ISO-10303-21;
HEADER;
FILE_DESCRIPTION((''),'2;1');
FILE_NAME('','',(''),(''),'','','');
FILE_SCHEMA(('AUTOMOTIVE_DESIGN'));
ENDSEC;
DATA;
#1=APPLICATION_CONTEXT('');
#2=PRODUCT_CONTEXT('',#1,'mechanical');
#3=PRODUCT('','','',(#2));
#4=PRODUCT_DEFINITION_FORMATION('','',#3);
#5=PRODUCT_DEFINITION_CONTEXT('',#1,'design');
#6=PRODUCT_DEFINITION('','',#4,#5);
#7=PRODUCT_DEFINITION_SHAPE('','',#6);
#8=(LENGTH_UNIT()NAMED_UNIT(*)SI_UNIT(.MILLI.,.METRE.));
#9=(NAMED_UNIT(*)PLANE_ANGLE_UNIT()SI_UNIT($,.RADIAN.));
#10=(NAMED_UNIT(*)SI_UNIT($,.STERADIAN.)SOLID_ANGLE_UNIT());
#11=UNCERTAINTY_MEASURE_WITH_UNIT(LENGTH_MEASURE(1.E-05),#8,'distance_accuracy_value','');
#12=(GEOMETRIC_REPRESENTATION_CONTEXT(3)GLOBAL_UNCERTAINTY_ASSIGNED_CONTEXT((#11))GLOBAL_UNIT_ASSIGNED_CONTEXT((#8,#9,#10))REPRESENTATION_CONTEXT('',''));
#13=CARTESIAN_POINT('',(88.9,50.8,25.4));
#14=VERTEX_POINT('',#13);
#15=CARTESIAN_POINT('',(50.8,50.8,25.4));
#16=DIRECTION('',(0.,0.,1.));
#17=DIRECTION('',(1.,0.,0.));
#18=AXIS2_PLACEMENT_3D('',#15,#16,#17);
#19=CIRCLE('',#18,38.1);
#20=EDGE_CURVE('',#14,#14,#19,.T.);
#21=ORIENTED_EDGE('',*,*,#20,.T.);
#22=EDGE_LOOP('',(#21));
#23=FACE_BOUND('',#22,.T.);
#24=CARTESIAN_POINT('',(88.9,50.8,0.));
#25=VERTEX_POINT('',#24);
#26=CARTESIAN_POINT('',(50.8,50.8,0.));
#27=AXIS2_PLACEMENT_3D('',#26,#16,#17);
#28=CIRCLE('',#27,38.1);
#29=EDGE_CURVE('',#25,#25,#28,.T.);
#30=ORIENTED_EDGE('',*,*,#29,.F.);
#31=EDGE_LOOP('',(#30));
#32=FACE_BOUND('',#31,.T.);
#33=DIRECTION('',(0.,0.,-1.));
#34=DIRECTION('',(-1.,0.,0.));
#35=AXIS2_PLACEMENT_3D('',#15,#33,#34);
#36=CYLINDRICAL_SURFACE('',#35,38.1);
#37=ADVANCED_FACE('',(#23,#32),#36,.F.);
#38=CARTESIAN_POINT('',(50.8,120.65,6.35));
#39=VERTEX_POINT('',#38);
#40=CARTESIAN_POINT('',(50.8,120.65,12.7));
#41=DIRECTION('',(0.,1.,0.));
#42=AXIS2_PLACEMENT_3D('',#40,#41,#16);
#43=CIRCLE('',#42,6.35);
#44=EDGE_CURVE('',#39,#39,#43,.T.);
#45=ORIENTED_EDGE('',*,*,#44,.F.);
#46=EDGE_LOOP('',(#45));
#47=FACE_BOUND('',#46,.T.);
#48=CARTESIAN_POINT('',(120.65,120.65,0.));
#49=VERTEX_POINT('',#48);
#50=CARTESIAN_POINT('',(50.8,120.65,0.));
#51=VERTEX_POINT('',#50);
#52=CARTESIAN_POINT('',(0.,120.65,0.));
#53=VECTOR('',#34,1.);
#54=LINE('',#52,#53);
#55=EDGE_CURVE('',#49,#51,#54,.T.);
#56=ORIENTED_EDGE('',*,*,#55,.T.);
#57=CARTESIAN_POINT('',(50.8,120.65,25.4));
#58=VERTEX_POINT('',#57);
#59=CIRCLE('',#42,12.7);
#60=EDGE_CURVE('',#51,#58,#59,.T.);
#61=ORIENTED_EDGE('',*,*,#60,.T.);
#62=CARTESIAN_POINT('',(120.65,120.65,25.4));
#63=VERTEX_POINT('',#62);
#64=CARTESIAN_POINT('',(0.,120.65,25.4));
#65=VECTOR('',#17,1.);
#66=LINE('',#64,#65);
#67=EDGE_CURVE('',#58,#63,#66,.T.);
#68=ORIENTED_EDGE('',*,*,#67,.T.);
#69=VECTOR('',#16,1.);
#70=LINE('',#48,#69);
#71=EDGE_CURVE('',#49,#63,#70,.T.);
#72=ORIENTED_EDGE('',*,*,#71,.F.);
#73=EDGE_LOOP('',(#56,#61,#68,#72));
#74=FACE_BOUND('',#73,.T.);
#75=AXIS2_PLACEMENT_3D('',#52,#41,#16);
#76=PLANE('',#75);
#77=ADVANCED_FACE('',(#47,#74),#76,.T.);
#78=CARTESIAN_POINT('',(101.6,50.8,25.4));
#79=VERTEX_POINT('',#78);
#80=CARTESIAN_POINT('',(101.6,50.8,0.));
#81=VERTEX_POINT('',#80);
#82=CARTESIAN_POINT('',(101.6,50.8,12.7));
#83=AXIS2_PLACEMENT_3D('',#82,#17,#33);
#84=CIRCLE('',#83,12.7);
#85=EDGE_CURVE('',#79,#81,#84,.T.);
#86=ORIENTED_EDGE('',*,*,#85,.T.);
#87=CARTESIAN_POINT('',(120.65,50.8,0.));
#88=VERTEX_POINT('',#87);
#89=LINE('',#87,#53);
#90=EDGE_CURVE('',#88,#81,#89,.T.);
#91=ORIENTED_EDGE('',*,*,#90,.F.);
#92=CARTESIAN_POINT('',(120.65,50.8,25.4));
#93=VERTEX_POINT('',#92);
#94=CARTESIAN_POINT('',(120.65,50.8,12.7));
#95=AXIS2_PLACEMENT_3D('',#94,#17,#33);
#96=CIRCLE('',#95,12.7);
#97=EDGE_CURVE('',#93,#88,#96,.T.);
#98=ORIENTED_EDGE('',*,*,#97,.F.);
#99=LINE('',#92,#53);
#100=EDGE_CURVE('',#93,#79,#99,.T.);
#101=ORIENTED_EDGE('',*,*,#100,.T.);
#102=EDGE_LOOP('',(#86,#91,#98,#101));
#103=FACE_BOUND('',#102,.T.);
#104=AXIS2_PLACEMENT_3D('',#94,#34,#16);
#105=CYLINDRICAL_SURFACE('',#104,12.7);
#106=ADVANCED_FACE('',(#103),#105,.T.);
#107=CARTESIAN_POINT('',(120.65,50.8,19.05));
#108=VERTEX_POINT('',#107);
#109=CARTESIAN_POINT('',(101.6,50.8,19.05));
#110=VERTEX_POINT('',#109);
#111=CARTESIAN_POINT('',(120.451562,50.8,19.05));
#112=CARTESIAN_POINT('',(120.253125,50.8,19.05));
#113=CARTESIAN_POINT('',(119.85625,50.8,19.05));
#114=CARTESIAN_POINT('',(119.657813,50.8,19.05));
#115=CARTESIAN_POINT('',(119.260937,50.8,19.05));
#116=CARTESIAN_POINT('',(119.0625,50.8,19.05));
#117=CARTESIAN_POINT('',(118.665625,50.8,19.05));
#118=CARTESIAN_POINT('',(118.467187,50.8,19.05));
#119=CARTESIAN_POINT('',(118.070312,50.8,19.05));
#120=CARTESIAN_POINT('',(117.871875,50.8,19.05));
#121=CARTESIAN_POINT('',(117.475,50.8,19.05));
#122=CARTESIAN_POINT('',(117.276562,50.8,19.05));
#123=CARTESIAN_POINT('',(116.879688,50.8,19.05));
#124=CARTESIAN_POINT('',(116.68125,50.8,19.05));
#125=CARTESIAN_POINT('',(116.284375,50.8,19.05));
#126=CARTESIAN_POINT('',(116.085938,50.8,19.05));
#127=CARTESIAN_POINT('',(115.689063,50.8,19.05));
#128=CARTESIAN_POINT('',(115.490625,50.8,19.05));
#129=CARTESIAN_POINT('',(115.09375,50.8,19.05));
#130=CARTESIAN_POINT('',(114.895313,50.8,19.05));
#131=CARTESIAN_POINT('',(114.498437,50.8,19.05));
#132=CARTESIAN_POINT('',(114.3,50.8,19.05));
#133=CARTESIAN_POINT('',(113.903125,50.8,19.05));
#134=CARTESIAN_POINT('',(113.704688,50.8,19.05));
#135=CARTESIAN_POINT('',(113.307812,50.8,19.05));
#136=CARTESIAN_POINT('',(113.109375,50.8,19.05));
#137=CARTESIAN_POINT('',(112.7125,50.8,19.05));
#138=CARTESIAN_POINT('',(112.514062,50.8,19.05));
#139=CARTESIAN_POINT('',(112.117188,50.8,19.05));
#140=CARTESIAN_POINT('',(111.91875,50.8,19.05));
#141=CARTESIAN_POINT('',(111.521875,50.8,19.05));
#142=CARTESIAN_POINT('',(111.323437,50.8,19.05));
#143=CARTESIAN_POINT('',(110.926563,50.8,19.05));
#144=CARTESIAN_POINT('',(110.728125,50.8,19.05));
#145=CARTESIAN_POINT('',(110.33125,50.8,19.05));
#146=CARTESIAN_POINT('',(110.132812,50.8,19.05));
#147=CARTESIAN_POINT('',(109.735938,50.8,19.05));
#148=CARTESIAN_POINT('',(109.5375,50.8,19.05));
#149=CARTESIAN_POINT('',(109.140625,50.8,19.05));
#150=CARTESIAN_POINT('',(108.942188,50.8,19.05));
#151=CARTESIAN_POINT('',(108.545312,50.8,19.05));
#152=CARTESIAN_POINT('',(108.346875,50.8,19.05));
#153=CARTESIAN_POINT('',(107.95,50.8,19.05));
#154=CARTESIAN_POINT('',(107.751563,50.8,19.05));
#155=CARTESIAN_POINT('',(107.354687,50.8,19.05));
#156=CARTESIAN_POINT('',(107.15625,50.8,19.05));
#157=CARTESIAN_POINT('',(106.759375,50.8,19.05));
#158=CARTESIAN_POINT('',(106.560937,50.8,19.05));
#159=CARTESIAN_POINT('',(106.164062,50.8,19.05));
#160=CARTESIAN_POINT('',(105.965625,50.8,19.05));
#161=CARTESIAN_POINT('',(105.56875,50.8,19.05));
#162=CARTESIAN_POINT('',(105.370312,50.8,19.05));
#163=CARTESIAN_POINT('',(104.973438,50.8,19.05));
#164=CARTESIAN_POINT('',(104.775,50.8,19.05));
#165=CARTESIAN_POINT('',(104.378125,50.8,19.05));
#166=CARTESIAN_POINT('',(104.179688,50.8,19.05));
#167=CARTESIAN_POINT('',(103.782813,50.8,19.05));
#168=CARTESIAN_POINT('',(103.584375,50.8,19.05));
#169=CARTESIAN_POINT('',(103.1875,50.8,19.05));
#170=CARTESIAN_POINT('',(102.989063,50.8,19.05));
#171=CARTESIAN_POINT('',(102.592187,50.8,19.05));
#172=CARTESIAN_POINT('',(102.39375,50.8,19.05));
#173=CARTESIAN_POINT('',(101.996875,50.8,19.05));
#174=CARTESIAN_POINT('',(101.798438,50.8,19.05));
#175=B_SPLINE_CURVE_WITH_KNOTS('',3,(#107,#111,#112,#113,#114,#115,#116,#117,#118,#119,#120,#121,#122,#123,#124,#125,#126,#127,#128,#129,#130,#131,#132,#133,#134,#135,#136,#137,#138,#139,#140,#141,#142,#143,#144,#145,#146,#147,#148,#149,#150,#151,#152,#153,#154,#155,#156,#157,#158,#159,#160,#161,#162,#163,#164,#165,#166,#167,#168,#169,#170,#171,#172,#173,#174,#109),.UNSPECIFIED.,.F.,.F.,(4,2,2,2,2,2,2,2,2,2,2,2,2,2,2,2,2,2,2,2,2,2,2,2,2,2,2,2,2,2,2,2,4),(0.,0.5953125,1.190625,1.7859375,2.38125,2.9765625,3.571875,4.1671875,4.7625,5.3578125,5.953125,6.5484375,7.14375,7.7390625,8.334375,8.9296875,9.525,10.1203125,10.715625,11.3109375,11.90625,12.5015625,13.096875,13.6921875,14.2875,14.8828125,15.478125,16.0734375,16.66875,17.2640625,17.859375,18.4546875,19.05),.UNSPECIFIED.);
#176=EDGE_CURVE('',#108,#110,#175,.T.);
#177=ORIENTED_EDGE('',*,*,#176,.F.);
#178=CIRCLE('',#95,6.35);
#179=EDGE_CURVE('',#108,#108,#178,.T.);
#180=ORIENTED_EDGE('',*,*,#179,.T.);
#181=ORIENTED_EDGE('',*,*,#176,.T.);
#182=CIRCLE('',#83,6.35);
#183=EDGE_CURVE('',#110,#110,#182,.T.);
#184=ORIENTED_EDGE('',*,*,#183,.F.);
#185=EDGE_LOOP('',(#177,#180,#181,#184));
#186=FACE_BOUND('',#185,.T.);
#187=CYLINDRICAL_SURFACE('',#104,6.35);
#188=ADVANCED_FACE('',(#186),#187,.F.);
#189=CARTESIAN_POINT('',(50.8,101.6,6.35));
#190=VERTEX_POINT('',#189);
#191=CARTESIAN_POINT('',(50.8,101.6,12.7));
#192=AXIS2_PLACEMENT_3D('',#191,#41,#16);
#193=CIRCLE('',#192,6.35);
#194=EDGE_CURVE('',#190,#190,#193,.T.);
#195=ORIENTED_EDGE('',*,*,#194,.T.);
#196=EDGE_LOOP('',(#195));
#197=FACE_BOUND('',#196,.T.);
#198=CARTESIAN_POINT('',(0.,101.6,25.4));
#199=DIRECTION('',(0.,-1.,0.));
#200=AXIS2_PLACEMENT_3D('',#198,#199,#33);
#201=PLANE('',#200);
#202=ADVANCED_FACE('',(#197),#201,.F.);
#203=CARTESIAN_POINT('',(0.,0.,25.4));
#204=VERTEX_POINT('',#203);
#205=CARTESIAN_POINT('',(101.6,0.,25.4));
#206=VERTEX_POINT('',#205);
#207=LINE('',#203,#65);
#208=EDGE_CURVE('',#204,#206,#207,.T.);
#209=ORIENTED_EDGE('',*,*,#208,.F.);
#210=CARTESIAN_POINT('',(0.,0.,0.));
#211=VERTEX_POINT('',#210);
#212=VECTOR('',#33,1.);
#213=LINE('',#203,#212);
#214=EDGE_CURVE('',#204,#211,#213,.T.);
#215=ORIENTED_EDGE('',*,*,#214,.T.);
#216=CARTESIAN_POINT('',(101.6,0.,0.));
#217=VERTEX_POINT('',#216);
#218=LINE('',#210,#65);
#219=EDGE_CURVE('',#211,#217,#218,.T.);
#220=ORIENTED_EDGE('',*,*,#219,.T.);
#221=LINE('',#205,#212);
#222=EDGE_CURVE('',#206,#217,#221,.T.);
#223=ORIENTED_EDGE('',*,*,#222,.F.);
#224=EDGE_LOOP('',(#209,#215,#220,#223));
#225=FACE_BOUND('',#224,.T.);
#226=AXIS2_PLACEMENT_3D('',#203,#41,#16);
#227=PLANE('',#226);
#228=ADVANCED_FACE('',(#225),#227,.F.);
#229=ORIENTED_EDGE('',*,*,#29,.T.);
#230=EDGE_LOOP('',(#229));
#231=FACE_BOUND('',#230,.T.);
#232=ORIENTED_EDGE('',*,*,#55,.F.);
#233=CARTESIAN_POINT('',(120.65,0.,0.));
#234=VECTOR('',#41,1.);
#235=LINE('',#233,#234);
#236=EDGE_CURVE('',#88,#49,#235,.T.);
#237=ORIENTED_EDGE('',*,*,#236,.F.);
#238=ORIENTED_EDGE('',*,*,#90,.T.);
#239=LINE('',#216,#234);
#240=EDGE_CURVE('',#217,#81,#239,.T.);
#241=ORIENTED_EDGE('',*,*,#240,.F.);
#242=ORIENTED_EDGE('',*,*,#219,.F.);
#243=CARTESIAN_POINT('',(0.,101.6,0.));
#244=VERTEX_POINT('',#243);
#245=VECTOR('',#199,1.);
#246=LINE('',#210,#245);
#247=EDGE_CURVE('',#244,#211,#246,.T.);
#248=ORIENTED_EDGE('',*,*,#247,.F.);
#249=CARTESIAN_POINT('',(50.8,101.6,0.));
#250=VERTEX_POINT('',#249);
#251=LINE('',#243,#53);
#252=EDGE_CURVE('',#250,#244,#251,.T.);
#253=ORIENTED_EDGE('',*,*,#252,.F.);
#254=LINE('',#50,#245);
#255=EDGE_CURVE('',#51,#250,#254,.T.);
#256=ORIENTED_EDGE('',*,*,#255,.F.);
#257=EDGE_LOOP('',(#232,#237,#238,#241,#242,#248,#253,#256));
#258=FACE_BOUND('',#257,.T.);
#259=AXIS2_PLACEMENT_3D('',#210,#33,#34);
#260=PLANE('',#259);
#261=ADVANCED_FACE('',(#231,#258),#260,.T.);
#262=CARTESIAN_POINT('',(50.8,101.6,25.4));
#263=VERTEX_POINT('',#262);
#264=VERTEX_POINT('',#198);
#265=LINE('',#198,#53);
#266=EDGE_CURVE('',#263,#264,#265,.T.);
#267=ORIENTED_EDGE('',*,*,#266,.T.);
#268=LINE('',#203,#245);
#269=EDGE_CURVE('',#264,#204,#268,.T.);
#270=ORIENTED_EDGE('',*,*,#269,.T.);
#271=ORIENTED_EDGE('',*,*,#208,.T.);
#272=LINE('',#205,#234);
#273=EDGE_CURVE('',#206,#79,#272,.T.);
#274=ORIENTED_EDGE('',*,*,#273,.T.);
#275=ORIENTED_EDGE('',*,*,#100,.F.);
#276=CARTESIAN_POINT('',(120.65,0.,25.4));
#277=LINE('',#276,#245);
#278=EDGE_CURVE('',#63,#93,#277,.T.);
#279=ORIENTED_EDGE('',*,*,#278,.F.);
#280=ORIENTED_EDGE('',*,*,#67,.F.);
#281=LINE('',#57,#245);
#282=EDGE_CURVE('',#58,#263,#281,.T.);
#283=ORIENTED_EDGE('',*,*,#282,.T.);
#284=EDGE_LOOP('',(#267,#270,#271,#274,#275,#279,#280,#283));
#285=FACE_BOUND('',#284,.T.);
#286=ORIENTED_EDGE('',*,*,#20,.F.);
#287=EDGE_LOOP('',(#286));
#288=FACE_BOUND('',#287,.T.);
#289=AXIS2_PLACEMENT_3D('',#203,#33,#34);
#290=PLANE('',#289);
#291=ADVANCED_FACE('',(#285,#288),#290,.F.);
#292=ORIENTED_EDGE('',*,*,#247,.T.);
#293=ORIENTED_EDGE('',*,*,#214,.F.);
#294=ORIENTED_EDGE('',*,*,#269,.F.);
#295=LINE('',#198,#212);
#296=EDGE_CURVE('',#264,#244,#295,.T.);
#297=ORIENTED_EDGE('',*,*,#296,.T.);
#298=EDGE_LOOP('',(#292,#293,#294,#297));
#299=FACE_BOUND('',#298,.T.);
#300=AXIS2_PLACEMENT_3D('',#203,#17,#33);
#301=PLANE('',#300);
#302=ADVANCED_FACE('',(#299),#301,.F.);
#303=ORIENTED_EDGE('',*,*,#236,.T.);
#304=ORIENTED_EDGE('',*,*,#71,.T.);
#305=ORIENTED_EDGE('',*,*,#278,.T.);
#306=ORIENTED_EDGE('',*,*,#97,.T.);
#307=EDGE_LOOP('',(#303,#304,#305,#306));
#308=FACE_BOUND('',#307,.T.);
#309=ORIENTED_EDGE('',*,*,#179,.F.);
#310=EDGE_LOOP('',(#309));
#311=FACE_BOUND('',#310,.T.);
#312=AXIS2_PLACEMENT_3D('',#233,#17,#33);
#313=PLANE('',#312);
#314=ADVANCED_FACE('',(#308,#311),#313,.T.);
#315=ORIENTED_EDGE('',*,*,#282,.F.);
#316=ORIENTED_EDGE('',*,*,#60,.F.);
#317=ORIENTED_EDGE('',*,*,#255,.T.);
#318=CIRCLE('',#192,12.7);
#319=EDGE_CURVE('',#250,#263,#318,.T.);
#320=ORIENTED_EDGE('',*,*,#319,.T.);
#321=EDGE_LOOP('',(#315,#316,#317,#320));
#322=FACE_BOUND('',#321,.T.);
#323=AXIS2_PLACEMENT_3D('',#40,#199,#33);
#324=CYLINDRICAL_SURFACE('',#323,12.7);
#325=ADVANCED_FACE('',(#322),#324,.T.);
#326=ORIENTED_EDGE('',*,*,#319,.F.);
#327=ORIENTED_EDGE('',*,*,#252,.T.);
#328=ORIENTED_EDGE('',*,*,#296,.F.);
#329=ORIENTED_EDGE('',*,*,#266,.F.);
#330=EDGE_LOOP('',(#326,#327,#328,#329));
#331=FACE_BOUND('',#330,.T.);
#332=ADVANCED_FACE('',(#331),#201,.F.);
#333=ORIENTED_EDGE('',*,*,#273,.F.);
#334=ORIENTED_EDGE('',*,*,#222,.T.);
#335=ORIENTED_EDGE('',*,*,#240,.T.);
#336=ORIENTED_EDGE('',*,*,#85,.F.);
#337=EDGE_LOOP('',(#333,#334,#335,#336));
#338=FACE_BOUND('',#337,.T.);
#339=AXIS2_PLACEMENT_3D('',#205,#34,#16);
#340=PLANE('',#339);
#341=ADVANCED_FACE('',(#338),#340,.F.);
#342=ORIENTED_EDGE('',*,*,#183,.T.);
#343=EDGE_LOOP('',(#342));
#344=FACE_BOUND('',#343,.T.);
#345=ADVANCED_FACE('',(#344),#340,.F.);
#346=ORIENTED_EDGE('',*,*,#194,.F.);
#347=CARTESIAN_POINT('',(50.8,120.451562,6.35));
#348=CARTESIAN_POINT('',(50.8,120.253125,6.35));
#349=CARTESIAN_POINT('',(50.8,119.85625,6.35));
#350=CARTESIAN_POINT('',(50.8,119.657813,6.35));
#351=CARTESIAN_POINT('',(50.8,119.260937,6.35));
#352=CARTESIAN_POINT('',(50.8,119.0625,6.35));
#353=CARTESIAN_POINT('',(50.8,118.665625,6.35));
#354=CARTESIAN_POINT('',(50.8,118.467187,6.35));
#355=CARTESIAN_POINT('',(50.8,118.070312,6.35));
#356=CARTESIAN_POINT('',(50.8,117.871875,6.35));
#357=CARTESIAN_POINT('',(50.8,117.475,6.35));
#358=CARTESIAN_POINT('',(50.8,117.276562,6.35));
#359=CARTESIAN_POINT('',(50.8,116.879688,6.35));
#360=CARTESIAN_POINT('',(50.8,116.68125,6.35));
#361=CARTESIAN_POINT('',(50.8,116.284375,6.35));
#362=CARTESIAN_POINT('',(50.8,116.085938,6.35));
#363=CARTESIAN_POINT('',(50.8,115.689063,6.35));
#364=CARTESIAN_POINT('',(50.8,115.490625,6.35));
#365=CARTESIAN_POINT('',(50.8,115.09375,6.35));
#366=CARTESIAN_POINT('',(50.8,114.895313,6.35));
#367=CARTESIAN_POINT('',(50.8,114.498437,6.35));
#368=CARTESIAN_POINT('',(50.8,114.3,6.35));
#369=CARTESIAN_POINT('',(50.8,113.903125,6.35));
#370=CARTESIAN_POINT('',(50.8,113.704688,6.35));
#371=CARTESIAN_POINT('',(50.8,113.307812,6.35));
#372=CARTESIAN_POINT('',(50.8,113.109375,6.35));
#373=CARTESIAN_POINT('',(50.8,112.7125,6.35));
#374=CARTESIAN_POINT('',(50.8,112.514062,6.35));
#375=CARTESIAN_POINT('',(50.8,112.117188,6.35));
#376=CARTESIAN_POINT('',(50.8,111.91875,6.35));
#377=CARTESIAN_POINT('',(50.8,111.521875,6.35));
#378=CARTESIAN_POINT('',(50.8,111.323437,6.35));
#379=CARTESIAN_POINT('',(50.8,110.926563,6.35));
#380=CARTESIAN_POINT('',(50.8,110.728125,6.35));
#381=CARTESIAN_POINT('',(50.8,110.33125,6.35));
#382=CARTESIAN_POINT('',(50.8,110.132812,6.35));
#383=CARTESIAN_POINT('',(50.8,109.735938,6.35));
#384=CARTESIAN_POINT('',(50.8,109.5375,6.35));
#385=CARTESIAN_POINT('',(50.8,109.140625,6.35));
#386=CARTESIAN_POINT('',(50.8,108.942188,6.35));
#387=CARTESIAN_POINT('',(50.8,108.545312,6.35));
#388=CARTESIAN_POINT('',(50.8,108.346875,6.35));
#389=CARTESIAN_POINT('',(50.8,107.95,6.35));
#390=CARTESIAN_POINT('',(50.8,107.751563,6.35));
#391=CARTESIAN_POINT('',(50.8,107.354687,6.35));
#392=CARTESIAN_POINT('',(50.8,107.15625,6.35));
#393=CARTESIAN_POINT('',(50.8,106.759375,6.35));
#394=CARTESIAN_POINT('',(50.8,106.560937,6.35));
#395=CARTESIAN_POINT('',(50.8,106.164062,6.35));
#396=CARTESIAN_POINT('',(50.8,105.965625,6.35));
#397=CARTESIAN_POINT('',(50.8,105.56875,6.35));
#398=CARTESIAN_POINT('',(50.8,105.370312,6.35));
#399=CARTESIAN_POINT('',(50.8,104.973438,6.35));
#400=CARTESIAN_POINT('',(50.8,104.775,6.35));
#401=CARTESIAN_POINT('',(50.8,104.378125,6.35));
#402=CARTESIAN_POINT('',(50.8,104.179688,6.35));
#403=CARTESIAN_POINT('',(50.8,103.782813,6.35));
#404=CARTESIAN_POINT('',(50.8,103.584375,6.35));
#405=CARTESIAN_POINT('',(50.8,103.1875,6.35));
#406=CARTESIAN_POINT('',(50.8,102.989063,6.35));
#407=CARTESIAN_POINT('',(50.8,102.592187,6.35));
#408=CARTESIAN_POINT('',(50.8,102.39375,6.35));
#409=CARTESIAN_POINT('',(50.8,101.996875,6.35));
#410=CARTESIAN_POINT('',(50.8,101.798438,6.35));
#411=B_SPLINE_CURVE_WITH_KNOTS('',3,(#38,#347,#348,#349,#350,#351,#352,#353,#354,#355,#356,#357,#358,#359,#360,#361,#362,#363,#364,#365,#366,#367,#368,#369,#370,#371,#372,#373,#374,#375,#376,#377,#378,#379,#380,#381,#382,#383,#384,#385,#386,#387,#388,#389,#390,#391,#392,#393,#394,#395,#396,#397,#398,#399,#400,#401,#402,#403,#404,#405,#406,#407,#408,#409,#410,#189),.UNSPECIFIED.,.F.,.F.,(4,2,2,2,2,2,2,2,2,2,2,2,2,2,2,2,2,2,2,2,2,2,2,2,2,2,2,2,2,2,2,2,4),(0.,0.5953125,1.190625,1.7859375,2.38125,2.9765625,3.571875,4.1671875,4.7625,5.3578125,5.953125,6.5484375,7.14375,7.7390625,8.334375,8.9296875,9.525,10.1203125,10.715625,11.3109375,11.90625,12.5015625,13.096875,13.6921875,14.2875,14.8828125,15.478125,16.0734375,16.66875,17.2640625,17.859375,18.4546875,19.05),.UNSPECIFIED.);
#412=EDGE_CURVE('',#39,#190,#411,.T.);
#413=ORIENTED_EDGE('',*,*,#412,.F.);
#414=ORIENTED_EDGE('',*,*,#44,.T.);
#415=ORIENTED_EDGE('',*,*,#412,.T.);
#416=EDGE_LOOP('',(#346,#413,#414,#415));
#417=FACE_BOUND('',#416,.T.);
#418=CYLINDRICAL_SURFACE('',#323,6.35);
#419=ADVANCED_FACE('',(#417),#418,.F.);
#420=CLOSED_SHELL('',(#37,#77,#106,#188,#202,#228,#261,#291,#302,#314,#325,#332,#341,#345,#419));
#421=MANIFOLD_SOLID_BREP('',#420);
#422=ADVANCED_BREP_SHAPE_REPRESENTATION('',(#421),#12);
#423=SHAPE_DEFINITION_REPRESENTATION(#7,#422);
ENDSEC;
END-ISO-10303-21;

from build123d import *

# Parameters (mm, degrees)
SKETCH2_W           = 101.6
SKETCH2_H           = 101.6
SKETCH2_R           = 38.1
BOSS_EXTRUDE1_DEPTH = 25.4
SKETCH3_R           = 6.35
BOSS_EXTRUDE2_DEPTH = 19.05
SKETCH4_R           = 6.35
BOSS_EXTRUDE3_DEPTH = 19.05


with BuildPart() as part:
    # Sketch2 → Boss-Extrude1 (new body)
    with BuildSketch(Plane.XY):
        with Locations((50.8, 50.8)):
            Rectangle(SKETCH2_W, SKETCH2_H)
        with Locations((50.8, 50.8)):
            Circle(SKETCH2_R, mode=Mode.SUBTRACT)
    extrude(amount=BOSS_EXTRUDE1_DEPTH)

    # Sketch3 → Boss-Extrude2 (add)
    with BuildSketch(Plane(origin=(0, 101.6, 0), x_dir=(1, 0, 0), z_dir=(0, 1, 0))):
        with BuildLine():
            Line((101.6, -25.4), (101.6, 0))
            Line((101.6, 0), (50.8, 0))
            ThreePointArc((50.8, 0), (38.1, -12.7), (50.8, -25.4))
            Line((50.8, -25.4), (101.6, -25.4))
        make_face()
        with Locations(Location((50.8, -12.7, 0), (0, 0, 90))):
            Circle(SKETCH3_R, mode=Mode.SUBTRACT)
    extrude(amount=BOSS_EXTRUDE2_DEPTH)

    # Sketch4 → Boss-Extrude3 (add)
    with BuildSketch(Plane(origin=(101.6, 0, 0), x_dir=(0, 0, -1), z_dir=(1, 0, 0))):
        with BuildLine():
            Line((0, 120.65), (-25.4, 120.65))
            Line((-25.4, 120.65), (-25.4, 50.8))
            ThreePointArc((-25.4, 50.8), (-12.7, 38.1), (0, 50.8))
            Line((0, 50.8), (0, 120.65))
        make_face()
        with Locations(Location((-12.7, 50.8, 0), (0, 0, 180))):
            Circle(SKETCH4_R, mode=Mode.SUBTRACT)
    extrude(amount=BOSS_EXTRUDE3_DEPTH)


solid = part.part
